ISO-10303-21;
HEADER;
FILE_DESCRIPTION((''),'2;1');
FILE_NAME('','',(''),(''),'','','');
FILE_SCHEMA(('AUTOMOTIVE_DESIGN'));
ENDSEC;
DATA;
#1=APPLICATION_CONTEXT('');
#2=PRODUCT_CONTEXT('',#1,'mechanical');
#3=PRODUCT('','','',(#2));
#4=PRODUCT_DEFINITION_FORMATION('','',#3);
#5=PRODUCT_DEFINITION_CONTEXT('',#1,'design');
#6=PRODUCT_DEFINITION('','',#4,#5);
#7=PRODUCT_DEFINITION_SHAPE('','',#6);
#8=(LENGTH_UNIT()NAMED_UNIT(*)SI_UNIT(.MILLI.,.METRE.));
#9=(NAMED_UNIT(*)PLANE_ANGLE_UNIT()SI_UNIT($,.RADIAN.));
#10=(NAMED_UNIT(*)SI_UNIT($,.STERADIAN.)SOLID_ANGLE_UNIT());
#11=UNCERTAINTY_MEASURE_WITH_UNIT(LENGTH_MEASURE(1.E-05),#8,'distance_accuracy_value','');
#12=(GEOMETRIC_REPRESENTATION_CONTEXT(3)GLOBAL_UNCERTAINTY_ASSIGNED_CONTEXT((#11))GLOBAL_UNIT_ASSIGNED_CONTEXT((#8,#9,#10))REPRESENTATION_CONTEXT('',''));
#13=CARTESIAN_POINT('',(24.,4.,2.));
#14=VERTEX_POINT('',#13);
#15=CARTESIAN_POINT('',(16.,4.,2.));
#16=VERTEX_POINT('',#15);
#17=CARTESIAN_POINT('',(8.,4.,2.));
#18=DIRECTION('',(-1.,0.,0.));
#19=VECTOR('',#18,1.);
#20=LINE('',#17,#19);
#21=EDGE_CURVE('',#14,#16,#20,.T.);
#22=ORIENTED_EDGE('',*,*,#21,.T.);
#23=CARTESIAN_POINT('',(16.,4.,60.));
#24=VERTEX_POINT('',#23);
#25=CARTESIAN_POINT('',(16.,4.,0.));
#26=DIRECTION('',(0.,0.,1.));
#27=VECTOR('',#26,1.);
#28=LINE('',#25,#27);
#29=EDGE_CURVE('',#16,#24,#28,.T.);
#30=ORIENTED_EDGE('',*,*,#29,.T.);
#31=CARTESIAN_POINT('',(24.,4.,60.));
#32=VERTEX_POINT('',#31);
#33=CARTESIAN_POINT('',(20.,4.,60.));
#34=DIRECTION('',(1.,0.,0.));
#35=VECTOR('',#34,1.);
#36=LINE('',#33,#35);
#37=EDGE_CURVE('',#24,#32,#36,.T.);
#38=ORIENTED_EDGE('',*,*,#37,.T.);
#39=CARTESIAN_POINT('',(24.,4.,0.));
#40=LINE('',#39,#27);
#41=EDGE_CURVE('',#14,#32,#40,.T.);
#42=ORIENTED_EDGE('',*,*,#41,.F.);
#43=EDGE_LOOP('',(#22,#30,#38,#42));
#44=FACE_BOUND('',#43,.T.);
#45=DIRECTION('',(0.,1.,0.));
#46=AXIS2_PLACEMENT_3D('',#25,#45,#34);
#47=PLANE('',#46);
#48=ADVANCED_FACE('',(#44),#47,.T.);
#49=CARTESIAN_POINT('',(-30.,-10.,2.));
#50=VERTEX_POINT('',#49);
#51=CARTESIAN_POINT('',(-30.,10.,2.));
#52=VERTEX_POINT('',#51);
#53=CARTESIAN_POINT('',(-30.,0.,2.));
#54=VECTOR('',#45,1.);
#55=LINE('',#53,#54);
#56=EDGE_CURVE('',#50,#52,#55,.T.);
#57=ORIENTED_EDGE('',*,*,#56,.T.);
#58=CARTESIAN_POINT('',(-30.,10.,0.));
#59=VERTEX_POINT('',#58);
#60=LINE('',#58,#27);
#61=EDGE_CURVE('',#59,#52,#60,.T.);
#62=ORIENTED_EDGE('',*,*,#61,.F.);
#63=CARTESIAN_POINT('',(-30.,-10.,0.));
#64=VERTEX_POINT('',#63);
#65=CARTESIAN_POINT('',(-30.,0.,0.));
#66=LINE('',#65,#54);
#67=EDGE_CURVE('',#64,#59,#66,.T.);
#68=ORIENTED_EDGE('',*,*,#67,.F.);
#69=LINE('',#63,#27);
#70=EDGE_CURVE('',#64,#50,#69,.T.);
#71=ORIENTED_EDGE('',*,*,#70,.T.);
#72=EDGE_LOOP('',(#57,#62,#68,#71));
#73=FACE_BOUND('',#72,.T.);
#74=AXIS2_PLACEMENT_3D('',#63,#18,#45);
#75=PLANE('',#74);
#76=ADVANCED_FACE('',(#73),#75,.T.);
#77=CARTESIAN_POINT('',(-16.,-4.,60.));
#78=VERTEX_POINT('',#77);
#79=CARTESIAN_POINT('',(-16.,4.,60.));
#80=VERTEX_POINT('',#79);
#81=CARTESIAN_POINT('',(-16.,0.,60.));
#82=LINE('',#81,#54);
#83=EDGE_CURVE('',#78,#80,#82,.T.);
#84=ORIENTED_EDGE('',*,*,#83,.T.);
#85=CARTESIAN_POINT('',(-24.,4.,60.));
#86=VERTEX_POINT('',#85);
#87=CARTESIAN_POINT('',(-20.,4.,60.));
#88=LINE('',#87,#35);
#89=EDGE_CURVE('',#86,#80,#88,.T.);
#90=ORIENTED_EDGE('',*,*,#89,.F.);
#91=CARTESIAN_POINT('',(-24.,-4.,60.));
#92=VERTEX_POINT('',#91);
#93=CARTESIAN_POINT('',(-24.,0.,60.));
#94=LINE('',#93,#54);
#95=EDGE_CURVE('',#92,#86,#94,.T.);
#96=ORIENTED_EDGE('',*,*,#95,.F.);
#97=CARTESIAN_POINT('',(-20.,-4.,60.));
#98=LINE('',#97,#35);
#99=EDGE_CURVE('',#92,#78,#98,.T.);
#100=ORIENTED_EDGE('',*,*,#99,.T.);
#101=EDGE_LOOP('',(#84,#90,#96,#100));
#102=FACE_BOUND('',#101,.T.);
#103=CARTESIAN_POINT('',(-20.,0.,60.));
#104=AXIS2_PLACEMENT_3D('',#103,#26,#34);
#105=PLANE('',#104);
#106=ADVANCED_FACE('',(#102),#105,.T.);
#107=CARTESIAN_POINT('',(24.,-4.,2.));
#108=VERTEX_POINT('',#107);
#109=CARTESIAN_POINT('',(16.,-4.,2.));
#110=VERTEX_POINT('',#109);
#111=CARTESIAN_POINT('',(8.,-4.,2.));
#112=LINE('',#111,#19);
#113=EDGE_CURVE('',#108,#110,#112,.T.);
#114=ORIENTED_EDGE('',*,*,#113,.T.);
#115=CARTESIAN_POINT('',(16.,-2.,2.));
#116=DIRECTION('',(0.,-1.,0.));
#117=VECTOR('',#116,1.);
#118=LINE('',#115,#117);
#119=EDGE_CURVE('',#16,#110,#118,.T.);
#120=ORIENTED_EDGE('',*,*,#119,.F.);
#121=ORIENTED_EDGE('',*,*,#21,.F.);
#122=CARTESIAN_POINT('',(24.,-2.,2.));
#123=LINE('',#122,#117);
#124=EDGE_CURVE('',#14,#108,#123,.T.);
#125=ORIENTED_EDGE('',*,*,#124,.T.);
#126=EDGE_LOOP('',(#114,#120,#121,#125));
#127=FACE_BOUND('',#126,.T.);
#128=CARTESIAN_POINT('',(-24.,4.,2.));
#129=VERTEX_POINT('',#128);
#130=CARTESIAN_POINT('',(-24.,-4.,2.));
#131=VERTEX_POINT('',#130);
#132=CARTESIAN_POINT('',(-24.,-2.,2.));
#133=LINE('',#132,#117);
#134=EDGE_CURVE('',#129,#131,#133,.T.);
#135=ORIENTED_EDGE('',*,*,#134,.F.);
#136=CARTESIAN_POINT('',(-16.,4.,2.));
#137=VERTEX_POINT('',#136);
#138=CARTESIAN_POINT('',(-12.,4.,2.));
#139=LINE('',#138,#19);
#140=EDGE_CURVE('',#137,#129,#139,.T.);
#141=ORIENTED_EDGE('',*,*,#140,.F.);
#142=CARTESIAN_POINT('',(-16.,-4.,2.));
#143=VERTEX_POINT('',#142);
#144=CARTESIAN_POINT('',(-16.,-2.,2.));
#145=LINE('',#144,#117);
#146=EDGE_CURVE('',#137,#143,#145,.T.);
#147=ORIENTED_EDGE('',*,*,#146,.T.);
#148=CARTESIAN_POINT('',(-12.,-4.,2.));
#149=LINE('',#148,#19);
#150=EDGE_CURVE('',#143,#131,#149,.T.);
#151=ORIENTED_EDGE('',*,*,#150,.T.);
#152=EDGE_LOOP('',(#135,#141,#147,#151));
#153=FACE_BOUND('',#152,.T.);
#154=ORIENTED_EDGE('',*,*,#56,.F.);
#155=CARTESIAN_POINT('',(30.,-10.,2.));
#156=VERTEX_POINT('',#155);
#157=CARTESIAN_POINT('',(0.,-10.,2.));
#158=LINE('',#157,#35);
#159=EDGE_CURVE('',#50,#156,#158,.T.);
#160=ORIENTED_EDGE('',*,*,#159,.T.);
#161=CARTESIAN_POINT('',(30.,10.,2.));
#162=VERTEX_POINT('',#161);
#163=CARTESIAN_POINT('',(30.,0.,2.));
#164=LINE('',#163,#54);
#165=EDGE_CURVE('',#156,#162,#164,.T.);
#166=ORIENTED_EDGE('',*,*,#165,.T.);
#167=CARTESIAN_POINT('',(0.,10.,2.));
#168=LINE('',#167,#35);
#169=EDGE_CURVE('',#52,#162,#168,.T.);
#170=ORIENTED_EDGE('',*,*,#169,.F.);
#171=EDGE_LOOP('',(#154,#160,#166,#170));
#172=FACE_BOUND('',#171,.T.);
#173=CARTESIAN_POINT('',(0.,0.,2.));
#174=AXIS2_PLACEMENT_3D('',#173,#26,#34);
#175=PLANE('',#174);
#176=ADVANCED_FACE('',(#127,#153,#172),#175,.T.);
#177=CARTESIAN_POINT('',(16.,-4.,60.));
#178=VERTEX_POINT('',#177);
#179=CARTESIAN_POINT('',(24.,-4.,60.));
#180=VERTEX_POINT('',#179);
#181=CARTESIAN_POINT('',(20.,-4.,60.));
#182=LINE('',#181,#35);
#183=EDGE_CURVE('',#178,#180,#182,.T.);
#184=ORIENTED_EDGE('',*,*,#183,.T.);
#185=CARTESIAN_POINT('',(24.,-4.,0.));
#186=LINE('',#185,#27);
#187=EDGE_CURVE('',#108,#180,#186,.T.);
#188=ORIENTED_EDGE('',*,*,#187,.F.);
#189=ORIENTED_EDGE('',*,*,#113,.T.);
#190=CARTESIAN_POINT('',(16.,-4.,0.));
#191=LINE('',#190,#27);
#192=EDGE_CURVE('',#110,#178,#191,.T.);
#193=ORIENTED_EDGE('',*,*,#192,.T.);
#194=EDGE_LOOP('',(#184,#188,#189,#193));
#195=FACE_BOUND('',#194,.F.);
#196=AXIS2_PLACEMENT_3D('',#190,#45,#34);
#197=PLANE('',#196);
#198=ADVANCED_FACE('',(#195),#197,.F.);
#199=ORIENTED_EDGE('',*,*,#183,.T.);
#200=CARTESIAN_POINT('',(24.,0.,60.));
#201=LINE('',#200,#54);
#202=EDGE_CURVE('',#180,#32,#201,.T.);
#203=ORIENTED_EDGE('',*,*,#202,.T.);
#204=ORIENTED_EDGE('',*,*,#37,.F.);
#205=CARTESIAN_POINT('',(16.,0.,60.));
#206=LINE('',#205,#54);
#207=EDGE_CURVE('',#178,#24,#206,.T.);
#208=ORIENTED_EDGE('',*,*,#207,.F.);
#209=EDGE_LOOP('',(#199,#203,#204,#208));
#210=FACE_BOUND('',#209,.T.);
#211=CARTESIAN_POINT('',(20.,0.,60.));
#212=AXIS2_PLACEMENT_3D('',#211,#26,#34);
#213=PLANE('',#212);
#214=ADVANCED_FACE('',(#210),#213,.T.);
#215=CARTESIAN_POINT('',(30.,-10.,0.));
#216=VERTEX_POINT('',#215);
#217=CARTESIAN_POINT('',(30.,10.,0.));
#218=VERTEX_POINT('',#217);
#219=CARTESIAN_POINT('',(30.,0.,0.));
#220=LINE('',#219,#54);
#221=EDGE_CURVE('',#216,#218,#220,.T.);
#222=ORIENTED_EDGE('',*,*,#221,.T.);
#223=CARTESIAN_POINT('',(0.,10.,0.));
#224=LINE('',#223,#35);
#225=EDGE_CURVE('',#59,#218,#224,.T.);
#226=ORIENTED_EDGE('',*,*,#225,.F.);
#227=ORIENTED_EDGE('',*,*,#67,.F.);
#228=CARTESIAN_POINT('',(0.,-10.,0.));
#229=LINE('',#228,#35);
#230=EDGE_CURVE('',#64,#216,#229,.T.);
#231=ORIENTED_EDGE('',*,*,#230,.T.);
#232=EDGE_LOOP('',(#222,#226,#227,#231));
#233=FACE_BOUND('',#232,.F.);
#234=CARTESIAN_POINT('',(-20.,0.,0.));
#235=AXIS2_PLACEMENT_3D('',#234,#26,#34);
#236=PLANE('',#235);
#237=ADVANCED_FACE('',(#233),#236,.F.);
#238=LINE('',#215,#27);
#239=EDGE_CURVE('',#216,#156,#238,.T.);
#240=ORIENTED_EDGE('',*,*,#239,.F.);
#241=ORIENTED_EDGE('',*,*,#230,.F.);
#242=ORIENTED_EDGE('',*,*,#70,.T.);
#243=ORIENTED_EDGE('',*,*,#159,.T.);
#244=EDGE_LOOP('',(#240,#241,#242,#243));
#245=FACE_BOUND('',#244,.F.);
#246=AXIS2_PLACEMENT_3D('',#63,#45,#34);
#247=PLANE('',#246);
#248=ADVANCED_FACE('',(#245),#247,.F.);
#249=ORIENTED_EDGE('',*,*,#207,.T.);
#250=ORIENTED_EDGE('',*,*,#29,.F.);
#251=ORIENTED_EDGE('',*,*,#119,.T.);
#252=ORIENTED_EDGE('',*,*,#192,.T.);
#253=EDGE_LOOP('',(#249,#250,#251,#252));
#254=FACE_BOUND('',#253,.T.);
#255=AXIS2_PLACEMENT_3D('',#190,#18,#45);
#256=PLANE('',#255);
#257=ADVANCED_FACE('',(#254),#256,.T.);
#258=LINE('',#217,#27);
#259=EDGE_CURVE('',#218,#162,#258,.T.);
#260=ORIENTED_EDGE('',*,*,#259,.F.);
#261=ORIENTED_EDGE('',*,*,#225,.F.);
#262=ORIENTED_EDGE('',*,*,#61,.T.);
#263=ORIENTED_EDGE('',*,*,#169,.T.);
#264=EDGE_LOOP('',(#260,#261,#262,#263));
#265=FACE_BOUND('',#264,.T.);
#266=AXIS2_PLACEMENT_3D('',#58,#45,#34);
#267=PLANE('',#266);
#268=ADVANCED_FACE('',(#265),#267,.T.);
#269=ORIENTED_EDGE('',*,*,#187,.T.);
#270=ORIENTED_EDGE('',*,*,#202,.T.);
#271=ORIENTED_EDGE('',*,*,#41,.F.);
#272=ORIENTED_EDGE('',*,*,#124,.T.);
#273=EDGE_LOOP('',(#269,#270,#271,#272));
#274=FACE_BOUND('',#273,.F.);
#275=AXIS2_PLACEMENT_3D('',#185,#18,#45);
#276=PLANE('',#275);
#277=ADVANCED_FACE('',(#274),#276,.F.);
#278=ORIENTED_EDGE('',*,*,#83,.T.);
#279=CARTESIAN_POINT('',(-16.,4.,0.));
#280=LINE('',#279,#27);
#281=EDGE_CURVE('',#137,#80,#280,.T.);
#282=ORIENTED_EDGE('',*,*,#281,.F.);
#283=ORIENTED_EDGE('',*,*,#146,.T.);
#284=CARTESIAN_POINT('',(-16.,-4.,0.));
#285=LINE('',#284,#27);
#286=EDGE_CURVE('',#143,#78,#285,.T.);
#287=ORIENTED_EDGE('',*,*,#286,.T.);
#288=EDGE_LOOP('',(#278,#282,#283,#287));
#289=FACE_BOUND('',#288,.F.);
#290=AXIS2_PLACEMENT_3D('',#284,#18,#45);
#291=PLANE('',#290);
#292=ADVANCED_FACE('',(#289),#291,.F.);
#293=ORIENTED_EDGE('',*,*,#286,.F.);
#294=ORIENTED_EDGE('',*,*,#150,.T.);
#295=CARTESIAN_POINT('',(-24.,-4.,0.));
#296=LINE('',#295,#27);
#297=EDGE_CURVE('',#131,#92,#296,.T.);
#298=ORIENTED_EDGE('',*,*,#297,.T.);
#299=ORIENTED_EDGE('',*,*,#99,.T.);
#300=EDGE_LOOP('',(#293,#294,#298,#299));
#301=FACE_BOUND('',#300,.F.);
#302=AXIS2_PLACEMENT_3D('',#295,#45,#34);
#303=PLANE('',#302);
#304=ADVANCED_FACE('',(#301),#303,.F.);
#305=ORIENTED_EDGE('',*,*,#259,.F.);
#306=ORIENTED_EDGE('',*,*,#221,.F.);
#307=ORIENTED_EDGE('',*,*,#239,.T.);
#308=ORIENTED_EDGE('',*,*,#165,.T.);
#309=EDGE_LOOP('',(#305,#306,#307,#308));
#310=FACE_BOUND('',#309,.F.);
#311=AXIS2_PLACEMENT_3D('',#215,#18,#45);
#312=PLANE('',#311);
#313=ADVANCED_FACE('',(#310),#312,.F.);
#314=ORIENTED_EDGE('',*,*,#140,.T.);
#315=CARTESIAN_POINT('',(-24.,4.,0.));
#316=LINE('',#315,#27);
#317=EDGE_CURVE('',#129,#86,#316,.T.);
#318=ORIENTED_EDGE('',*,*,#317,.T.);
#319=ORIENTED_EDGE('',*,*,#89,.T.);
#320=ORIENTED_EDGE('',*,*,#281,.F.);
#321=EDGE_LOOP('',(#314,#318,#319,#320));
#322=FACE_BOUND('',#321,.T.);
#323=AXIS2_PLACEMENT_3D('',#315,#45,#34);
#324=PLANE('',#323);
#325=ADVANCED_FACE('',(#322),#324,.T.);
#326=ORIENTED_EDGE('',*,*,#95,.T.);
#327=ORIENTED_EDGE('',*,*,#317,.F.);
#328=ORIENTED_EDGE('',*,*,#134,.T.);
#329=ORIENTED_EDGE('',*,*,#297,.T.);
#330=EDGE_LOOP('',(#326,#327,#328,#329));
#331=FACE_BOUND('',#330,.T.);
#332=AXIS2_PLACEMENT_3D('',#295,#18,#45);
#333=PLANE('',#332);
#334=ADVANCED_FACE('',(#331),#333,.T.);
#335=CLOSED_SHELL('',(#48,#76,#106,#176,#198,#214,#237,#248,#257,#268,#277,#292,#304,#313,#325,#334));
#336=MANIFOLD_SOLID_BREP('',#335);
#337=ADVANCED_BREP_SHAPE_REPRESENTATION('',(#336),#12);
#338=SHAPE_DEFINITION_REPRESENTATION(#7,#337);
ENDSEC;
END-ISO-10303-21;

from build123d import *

# Parameters (mm, degrees)
F0_W     = 60
F0_H     = 20
F0_W_2   = 30
F0_H_2   = 5
F0_W_3   = 8
F0_H_3   = 8
F1_DEPTH = 2
F2_DEPTH = 60


with BuildPart() as f1:
    # F0 (on Top) → F1 (new body)
    with BuildSketch(Plane.XY):
        Rectangle(F0_W, F0_H)
        Polygon((-25, 5), (-15, 5), (-15, 2.5), (15, 2.5), (15, 5), (25, 5), (25, -5), (15, -5), (15, -2.5), (-15, -2.5), (-15, -5), (-25, -5), align=None, mode=Mode.SUBTRACT)
        Rectangle(F0_W_2, F0_H_2)
        Polygon((-15, 2.5), (-15, 5), (-25, 5), (-25, -5), (-15, -5), (-15, -2.5), align=None)
        with Locations((-20, 0)):
            Rectangle(F0_W_3, F0_H_3, mode=Mode.SUBTRACT)
        Polygon((15, 5), (15, 2.5), (15, -2.5), (15, -5), (25, -5), (25, 5), align=None)
        with Locations((20, 0)):
            Rectangle(F0_W_3, F0_H_3, mode=Mode.SUBTRACT)
        with Locations((-20, 0)):
            Rectangle(F0_W_3, F0_H_3)
        with Locations((20, 0)):
            Rectangle(F0_W_3, F0_H_3)
    extrude(amount=F1_DEPTH)

    # F0 (on Top) → F2 (join)
    with BuildSketch(Plane.XY):
        with Locations((-20, 0)):
            Rectangle(F0_W_3, F0_H_3)
        with Locations((20, 0)):
            Rectangle(F0_W_3, F0_H_3)
    extrude(amount=F2_DEPTH)


solid = f1.part
